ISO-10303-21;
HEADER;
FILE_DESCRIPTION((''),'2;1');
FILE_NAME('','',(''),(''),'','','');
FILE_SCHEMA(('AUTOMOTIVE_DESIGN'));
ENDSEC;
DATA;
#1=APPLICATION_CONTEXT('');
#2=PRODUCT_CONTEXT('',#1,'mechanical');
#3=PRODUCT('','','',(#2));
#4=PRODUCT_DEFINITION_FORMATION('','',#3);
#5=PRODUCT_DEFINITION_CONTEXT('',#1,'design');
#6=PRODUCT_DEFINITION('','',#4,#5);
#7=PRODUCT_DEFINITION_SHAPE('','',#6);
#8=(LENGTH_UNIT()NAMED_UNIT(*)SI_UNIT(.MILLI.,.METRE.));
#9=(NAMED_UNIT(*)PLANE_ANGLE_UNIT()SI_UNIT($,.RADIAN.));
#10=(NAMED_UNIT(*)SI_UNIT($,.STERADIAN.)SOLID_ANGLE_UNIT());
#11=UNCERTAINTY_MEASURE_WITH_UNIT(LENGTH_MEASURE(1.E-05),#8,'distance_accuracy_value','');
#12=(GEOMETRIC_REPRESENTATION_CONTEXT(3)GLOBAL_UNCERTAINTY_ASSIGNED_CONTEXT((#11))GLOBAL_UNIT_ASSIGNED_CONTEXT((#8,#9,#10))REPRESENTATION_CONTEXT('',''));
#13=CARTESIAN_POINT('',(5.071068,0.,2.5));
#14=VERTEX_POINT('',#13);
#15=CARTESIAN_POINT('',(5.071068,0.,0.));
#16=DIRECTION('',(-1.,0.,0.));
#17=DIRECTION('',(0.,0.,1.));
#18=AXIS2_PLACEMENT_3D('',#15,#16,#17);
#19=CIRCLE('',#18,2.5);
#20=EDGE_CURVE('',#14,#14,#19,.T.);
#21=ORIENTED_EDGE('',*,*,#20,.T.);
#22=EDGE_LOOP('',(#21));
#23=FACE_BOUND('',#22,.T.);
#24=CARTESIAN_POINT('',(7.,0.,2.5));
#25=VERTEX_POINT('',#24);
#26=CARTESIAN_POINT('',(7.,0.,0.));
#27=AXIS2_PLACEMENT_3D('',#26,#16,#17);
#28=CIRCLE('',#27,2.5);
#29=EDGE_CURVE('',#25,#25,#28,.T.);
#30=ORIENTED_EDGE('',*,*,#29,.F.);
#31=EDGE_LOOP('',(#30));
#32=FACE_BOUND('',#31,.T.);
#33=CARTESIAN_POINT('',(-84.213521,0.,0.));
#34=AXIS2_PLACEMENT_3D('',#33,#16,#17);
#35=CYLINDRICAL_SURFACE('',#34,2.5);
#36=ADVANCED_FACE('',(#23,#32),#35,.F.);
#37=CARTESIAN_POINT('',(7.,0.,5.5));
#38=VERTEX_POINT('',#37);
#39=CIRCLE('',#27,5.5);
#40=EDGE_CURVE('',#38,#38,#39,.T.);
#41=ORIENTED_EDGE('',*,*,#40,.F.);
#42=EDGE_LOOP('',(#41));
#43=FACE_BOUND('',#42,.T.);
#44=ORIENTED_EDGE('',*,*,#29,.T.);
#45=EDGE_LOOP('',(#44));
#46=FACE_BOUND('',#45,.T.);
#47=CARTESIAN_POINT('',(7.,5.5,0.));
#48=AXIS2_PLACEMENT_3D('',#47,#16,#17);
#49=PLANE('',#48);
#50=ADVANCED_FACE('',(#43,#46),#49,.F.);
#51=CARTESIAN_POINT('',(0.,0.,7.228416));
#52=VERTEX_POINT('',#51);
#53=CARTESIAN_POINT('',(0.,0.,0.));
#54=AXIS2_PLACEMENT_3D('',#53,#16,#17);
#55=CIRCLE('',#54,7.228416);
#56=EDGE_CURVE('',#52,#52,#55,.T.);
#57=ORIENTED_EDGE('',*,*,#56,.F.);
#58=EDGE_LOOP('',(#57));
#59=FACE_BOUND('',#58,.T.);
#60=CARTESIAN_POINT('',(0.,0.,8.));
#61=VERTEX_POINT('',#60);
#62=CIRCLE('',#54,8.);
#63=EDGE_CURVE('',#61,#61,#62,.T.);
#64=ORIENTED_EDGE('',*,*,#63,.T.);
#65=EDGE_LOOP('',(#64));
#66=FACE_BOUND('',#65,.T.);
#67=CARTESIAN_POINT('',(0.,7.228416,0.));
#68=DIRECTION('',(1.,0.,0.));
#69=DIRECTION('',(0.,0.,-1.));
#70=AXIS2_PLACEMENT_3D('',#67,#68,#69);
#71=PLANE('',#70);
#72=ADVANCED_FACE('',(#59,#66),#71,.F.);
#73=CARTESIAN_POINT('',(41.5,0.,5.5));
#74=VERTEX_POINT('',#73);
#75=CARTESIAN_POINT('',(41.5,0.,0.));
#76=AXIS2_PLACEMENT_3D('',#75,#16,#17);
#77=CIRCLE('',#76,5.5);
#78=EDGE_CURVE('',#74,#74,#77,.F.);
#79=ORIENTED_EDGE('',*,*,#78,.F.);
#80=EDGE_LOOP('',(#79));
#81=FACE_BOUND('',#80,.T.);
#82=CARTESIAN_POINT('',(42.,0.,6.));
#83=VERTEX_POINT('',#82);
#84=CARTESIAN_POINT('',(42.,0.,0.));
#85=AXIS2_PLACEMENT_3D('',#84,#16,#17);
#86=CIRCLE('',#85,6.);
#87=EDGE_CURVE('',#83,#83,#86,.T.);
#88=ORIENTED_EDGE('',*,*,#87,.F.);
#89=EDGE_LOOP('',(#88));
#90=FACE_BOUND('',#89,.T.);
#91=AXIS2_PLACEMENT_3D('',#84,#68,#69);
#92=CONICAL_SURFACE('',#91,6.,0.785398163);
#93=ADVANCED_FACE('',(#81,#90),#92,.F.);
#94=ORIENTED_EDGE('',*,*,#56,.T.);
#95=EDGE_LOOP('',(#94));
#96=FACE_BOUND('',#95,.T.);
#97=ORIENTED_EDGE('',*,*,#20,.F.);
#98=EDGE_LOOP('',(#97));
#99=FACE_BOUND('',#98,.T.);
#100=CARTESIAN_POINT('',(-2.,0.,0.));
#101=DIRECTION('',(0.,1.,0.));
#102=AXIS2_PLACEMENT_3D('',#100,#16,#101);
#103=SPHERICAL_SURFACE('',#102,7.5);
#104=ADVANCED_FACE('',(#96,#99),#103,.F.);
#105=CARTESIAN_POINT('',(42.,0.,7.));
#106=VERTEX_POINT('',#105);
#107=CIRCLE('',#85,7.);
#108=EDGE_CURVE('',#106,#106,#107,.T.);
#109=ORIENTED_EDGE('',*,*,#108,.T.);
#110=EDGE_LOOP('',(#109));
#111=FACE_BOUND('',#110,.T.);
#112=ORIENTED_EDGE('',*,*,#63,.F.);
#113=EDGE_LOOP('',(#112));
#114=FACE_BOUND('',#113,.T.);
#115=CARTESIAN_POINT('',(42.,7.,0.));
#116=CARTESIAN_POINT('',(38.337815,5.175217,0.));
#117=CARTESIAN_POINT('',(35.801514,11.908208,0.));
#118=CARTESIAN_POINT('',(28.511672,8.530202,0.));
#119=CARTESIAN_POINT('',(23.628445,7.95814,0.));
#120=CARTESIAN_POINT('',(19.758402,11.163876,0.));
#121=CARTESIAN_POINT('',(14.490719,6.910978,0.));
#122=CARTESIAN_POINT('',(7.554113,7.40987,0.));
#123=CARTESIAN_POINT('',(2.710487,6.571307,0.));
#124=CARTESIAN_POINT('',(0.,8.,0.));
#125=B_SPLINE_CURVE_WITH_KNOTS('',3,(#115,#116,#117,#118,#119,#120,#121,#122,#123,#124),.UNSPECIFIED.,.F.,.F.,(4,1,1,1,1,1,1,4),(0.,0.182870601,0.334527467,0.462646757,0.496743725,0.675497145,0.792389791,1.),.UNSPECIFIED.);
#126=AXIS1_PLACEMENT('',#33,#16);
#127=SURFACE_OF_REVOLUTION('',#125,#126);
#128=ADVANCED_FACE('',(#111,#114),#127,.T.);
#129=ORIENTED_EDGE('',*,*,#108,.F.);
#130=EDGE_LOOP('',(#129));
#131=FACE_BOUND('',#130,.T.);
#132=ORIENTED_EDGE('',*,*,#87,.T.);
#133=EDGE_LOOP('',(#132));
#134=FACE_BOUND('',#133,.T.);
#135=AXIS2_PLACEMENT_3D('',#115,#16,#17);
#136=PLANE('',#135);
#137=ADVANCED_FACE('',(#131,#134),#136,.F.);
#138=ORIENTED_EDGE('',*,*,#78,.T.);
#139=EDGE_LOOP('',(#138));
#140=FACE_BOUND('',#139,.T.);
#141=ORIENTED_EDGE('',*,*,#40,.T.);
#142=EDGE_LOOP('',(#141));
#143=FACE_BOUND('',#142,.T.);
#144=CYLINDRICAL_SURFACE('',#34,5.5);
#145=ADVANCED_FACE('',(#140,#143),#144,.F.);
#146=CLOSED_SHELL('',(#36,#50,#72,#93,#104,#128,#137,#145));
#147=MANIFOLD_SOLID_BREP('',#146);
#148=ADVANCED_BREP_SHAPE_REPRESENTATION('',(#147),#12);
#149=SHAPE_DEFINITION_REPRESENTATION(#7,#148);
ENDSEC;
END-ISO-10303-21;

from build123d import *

# Parameters (mm, degrees)
CHANFREIN4_SIZE = 0.5


with BuildPart() as part:
    # Esquisse1 → Base-Révolution (revolve)
    with BuildSketch(Plane.XY, mode=Mode.PRIVATE) as base_r_volution_sk:
        with BuildLine():
            Line((0, 7.228416147), (0, 8))
            add(Edge.make_bspline(
                [(0, 8), (2.710486751, 6.571306957), (7.554112681, 7.409869736), (14.490718914, 6.910977773), (19.758402328, 11.163876116), (23.628444764, 7.958140122), (28.51167236, 8.530202025), (35.801513751, 11.908208161), (38.337815251, 5.17521673), (42, 7)],
                knots=[0, 0, 0, 0, 0.207610209, 0.324502855, 0.503256275, 0.537353243, 0.665472533, 0.817129399, 1, 1, 1, 1], degree=3))
            Line((42, 7), (42, 5.5))
            Line((42, 5.5), (7, 5.5))
            Line((7, 5.5), (7, 2.5))
            Line((7, 2.5), (5.071067812, 2.5))
            ThreePointArc((5.071067812, 2.5), (3.114738276, 5.485385344), (0, 7.228416147))
        make_face()
    revolve(base_r_volution_sk.sketch.rotate(Axis((-84.213521127, 0, 0), (1, 0, 0)), 90), axis=Axis((-84.213521127, 0, 0), (1, 0, 0)))  # turned: the seam where the file's is

    # Chanfrein4
    chanfrein4_edges = [part.edges().sort_by_distance(p)[0] for p in [
        (42, 0, -5.5),
    ]]
    chamfer(chanfrein4_edges, length=CHANFREIN4_SIZE)


solid = part.part
